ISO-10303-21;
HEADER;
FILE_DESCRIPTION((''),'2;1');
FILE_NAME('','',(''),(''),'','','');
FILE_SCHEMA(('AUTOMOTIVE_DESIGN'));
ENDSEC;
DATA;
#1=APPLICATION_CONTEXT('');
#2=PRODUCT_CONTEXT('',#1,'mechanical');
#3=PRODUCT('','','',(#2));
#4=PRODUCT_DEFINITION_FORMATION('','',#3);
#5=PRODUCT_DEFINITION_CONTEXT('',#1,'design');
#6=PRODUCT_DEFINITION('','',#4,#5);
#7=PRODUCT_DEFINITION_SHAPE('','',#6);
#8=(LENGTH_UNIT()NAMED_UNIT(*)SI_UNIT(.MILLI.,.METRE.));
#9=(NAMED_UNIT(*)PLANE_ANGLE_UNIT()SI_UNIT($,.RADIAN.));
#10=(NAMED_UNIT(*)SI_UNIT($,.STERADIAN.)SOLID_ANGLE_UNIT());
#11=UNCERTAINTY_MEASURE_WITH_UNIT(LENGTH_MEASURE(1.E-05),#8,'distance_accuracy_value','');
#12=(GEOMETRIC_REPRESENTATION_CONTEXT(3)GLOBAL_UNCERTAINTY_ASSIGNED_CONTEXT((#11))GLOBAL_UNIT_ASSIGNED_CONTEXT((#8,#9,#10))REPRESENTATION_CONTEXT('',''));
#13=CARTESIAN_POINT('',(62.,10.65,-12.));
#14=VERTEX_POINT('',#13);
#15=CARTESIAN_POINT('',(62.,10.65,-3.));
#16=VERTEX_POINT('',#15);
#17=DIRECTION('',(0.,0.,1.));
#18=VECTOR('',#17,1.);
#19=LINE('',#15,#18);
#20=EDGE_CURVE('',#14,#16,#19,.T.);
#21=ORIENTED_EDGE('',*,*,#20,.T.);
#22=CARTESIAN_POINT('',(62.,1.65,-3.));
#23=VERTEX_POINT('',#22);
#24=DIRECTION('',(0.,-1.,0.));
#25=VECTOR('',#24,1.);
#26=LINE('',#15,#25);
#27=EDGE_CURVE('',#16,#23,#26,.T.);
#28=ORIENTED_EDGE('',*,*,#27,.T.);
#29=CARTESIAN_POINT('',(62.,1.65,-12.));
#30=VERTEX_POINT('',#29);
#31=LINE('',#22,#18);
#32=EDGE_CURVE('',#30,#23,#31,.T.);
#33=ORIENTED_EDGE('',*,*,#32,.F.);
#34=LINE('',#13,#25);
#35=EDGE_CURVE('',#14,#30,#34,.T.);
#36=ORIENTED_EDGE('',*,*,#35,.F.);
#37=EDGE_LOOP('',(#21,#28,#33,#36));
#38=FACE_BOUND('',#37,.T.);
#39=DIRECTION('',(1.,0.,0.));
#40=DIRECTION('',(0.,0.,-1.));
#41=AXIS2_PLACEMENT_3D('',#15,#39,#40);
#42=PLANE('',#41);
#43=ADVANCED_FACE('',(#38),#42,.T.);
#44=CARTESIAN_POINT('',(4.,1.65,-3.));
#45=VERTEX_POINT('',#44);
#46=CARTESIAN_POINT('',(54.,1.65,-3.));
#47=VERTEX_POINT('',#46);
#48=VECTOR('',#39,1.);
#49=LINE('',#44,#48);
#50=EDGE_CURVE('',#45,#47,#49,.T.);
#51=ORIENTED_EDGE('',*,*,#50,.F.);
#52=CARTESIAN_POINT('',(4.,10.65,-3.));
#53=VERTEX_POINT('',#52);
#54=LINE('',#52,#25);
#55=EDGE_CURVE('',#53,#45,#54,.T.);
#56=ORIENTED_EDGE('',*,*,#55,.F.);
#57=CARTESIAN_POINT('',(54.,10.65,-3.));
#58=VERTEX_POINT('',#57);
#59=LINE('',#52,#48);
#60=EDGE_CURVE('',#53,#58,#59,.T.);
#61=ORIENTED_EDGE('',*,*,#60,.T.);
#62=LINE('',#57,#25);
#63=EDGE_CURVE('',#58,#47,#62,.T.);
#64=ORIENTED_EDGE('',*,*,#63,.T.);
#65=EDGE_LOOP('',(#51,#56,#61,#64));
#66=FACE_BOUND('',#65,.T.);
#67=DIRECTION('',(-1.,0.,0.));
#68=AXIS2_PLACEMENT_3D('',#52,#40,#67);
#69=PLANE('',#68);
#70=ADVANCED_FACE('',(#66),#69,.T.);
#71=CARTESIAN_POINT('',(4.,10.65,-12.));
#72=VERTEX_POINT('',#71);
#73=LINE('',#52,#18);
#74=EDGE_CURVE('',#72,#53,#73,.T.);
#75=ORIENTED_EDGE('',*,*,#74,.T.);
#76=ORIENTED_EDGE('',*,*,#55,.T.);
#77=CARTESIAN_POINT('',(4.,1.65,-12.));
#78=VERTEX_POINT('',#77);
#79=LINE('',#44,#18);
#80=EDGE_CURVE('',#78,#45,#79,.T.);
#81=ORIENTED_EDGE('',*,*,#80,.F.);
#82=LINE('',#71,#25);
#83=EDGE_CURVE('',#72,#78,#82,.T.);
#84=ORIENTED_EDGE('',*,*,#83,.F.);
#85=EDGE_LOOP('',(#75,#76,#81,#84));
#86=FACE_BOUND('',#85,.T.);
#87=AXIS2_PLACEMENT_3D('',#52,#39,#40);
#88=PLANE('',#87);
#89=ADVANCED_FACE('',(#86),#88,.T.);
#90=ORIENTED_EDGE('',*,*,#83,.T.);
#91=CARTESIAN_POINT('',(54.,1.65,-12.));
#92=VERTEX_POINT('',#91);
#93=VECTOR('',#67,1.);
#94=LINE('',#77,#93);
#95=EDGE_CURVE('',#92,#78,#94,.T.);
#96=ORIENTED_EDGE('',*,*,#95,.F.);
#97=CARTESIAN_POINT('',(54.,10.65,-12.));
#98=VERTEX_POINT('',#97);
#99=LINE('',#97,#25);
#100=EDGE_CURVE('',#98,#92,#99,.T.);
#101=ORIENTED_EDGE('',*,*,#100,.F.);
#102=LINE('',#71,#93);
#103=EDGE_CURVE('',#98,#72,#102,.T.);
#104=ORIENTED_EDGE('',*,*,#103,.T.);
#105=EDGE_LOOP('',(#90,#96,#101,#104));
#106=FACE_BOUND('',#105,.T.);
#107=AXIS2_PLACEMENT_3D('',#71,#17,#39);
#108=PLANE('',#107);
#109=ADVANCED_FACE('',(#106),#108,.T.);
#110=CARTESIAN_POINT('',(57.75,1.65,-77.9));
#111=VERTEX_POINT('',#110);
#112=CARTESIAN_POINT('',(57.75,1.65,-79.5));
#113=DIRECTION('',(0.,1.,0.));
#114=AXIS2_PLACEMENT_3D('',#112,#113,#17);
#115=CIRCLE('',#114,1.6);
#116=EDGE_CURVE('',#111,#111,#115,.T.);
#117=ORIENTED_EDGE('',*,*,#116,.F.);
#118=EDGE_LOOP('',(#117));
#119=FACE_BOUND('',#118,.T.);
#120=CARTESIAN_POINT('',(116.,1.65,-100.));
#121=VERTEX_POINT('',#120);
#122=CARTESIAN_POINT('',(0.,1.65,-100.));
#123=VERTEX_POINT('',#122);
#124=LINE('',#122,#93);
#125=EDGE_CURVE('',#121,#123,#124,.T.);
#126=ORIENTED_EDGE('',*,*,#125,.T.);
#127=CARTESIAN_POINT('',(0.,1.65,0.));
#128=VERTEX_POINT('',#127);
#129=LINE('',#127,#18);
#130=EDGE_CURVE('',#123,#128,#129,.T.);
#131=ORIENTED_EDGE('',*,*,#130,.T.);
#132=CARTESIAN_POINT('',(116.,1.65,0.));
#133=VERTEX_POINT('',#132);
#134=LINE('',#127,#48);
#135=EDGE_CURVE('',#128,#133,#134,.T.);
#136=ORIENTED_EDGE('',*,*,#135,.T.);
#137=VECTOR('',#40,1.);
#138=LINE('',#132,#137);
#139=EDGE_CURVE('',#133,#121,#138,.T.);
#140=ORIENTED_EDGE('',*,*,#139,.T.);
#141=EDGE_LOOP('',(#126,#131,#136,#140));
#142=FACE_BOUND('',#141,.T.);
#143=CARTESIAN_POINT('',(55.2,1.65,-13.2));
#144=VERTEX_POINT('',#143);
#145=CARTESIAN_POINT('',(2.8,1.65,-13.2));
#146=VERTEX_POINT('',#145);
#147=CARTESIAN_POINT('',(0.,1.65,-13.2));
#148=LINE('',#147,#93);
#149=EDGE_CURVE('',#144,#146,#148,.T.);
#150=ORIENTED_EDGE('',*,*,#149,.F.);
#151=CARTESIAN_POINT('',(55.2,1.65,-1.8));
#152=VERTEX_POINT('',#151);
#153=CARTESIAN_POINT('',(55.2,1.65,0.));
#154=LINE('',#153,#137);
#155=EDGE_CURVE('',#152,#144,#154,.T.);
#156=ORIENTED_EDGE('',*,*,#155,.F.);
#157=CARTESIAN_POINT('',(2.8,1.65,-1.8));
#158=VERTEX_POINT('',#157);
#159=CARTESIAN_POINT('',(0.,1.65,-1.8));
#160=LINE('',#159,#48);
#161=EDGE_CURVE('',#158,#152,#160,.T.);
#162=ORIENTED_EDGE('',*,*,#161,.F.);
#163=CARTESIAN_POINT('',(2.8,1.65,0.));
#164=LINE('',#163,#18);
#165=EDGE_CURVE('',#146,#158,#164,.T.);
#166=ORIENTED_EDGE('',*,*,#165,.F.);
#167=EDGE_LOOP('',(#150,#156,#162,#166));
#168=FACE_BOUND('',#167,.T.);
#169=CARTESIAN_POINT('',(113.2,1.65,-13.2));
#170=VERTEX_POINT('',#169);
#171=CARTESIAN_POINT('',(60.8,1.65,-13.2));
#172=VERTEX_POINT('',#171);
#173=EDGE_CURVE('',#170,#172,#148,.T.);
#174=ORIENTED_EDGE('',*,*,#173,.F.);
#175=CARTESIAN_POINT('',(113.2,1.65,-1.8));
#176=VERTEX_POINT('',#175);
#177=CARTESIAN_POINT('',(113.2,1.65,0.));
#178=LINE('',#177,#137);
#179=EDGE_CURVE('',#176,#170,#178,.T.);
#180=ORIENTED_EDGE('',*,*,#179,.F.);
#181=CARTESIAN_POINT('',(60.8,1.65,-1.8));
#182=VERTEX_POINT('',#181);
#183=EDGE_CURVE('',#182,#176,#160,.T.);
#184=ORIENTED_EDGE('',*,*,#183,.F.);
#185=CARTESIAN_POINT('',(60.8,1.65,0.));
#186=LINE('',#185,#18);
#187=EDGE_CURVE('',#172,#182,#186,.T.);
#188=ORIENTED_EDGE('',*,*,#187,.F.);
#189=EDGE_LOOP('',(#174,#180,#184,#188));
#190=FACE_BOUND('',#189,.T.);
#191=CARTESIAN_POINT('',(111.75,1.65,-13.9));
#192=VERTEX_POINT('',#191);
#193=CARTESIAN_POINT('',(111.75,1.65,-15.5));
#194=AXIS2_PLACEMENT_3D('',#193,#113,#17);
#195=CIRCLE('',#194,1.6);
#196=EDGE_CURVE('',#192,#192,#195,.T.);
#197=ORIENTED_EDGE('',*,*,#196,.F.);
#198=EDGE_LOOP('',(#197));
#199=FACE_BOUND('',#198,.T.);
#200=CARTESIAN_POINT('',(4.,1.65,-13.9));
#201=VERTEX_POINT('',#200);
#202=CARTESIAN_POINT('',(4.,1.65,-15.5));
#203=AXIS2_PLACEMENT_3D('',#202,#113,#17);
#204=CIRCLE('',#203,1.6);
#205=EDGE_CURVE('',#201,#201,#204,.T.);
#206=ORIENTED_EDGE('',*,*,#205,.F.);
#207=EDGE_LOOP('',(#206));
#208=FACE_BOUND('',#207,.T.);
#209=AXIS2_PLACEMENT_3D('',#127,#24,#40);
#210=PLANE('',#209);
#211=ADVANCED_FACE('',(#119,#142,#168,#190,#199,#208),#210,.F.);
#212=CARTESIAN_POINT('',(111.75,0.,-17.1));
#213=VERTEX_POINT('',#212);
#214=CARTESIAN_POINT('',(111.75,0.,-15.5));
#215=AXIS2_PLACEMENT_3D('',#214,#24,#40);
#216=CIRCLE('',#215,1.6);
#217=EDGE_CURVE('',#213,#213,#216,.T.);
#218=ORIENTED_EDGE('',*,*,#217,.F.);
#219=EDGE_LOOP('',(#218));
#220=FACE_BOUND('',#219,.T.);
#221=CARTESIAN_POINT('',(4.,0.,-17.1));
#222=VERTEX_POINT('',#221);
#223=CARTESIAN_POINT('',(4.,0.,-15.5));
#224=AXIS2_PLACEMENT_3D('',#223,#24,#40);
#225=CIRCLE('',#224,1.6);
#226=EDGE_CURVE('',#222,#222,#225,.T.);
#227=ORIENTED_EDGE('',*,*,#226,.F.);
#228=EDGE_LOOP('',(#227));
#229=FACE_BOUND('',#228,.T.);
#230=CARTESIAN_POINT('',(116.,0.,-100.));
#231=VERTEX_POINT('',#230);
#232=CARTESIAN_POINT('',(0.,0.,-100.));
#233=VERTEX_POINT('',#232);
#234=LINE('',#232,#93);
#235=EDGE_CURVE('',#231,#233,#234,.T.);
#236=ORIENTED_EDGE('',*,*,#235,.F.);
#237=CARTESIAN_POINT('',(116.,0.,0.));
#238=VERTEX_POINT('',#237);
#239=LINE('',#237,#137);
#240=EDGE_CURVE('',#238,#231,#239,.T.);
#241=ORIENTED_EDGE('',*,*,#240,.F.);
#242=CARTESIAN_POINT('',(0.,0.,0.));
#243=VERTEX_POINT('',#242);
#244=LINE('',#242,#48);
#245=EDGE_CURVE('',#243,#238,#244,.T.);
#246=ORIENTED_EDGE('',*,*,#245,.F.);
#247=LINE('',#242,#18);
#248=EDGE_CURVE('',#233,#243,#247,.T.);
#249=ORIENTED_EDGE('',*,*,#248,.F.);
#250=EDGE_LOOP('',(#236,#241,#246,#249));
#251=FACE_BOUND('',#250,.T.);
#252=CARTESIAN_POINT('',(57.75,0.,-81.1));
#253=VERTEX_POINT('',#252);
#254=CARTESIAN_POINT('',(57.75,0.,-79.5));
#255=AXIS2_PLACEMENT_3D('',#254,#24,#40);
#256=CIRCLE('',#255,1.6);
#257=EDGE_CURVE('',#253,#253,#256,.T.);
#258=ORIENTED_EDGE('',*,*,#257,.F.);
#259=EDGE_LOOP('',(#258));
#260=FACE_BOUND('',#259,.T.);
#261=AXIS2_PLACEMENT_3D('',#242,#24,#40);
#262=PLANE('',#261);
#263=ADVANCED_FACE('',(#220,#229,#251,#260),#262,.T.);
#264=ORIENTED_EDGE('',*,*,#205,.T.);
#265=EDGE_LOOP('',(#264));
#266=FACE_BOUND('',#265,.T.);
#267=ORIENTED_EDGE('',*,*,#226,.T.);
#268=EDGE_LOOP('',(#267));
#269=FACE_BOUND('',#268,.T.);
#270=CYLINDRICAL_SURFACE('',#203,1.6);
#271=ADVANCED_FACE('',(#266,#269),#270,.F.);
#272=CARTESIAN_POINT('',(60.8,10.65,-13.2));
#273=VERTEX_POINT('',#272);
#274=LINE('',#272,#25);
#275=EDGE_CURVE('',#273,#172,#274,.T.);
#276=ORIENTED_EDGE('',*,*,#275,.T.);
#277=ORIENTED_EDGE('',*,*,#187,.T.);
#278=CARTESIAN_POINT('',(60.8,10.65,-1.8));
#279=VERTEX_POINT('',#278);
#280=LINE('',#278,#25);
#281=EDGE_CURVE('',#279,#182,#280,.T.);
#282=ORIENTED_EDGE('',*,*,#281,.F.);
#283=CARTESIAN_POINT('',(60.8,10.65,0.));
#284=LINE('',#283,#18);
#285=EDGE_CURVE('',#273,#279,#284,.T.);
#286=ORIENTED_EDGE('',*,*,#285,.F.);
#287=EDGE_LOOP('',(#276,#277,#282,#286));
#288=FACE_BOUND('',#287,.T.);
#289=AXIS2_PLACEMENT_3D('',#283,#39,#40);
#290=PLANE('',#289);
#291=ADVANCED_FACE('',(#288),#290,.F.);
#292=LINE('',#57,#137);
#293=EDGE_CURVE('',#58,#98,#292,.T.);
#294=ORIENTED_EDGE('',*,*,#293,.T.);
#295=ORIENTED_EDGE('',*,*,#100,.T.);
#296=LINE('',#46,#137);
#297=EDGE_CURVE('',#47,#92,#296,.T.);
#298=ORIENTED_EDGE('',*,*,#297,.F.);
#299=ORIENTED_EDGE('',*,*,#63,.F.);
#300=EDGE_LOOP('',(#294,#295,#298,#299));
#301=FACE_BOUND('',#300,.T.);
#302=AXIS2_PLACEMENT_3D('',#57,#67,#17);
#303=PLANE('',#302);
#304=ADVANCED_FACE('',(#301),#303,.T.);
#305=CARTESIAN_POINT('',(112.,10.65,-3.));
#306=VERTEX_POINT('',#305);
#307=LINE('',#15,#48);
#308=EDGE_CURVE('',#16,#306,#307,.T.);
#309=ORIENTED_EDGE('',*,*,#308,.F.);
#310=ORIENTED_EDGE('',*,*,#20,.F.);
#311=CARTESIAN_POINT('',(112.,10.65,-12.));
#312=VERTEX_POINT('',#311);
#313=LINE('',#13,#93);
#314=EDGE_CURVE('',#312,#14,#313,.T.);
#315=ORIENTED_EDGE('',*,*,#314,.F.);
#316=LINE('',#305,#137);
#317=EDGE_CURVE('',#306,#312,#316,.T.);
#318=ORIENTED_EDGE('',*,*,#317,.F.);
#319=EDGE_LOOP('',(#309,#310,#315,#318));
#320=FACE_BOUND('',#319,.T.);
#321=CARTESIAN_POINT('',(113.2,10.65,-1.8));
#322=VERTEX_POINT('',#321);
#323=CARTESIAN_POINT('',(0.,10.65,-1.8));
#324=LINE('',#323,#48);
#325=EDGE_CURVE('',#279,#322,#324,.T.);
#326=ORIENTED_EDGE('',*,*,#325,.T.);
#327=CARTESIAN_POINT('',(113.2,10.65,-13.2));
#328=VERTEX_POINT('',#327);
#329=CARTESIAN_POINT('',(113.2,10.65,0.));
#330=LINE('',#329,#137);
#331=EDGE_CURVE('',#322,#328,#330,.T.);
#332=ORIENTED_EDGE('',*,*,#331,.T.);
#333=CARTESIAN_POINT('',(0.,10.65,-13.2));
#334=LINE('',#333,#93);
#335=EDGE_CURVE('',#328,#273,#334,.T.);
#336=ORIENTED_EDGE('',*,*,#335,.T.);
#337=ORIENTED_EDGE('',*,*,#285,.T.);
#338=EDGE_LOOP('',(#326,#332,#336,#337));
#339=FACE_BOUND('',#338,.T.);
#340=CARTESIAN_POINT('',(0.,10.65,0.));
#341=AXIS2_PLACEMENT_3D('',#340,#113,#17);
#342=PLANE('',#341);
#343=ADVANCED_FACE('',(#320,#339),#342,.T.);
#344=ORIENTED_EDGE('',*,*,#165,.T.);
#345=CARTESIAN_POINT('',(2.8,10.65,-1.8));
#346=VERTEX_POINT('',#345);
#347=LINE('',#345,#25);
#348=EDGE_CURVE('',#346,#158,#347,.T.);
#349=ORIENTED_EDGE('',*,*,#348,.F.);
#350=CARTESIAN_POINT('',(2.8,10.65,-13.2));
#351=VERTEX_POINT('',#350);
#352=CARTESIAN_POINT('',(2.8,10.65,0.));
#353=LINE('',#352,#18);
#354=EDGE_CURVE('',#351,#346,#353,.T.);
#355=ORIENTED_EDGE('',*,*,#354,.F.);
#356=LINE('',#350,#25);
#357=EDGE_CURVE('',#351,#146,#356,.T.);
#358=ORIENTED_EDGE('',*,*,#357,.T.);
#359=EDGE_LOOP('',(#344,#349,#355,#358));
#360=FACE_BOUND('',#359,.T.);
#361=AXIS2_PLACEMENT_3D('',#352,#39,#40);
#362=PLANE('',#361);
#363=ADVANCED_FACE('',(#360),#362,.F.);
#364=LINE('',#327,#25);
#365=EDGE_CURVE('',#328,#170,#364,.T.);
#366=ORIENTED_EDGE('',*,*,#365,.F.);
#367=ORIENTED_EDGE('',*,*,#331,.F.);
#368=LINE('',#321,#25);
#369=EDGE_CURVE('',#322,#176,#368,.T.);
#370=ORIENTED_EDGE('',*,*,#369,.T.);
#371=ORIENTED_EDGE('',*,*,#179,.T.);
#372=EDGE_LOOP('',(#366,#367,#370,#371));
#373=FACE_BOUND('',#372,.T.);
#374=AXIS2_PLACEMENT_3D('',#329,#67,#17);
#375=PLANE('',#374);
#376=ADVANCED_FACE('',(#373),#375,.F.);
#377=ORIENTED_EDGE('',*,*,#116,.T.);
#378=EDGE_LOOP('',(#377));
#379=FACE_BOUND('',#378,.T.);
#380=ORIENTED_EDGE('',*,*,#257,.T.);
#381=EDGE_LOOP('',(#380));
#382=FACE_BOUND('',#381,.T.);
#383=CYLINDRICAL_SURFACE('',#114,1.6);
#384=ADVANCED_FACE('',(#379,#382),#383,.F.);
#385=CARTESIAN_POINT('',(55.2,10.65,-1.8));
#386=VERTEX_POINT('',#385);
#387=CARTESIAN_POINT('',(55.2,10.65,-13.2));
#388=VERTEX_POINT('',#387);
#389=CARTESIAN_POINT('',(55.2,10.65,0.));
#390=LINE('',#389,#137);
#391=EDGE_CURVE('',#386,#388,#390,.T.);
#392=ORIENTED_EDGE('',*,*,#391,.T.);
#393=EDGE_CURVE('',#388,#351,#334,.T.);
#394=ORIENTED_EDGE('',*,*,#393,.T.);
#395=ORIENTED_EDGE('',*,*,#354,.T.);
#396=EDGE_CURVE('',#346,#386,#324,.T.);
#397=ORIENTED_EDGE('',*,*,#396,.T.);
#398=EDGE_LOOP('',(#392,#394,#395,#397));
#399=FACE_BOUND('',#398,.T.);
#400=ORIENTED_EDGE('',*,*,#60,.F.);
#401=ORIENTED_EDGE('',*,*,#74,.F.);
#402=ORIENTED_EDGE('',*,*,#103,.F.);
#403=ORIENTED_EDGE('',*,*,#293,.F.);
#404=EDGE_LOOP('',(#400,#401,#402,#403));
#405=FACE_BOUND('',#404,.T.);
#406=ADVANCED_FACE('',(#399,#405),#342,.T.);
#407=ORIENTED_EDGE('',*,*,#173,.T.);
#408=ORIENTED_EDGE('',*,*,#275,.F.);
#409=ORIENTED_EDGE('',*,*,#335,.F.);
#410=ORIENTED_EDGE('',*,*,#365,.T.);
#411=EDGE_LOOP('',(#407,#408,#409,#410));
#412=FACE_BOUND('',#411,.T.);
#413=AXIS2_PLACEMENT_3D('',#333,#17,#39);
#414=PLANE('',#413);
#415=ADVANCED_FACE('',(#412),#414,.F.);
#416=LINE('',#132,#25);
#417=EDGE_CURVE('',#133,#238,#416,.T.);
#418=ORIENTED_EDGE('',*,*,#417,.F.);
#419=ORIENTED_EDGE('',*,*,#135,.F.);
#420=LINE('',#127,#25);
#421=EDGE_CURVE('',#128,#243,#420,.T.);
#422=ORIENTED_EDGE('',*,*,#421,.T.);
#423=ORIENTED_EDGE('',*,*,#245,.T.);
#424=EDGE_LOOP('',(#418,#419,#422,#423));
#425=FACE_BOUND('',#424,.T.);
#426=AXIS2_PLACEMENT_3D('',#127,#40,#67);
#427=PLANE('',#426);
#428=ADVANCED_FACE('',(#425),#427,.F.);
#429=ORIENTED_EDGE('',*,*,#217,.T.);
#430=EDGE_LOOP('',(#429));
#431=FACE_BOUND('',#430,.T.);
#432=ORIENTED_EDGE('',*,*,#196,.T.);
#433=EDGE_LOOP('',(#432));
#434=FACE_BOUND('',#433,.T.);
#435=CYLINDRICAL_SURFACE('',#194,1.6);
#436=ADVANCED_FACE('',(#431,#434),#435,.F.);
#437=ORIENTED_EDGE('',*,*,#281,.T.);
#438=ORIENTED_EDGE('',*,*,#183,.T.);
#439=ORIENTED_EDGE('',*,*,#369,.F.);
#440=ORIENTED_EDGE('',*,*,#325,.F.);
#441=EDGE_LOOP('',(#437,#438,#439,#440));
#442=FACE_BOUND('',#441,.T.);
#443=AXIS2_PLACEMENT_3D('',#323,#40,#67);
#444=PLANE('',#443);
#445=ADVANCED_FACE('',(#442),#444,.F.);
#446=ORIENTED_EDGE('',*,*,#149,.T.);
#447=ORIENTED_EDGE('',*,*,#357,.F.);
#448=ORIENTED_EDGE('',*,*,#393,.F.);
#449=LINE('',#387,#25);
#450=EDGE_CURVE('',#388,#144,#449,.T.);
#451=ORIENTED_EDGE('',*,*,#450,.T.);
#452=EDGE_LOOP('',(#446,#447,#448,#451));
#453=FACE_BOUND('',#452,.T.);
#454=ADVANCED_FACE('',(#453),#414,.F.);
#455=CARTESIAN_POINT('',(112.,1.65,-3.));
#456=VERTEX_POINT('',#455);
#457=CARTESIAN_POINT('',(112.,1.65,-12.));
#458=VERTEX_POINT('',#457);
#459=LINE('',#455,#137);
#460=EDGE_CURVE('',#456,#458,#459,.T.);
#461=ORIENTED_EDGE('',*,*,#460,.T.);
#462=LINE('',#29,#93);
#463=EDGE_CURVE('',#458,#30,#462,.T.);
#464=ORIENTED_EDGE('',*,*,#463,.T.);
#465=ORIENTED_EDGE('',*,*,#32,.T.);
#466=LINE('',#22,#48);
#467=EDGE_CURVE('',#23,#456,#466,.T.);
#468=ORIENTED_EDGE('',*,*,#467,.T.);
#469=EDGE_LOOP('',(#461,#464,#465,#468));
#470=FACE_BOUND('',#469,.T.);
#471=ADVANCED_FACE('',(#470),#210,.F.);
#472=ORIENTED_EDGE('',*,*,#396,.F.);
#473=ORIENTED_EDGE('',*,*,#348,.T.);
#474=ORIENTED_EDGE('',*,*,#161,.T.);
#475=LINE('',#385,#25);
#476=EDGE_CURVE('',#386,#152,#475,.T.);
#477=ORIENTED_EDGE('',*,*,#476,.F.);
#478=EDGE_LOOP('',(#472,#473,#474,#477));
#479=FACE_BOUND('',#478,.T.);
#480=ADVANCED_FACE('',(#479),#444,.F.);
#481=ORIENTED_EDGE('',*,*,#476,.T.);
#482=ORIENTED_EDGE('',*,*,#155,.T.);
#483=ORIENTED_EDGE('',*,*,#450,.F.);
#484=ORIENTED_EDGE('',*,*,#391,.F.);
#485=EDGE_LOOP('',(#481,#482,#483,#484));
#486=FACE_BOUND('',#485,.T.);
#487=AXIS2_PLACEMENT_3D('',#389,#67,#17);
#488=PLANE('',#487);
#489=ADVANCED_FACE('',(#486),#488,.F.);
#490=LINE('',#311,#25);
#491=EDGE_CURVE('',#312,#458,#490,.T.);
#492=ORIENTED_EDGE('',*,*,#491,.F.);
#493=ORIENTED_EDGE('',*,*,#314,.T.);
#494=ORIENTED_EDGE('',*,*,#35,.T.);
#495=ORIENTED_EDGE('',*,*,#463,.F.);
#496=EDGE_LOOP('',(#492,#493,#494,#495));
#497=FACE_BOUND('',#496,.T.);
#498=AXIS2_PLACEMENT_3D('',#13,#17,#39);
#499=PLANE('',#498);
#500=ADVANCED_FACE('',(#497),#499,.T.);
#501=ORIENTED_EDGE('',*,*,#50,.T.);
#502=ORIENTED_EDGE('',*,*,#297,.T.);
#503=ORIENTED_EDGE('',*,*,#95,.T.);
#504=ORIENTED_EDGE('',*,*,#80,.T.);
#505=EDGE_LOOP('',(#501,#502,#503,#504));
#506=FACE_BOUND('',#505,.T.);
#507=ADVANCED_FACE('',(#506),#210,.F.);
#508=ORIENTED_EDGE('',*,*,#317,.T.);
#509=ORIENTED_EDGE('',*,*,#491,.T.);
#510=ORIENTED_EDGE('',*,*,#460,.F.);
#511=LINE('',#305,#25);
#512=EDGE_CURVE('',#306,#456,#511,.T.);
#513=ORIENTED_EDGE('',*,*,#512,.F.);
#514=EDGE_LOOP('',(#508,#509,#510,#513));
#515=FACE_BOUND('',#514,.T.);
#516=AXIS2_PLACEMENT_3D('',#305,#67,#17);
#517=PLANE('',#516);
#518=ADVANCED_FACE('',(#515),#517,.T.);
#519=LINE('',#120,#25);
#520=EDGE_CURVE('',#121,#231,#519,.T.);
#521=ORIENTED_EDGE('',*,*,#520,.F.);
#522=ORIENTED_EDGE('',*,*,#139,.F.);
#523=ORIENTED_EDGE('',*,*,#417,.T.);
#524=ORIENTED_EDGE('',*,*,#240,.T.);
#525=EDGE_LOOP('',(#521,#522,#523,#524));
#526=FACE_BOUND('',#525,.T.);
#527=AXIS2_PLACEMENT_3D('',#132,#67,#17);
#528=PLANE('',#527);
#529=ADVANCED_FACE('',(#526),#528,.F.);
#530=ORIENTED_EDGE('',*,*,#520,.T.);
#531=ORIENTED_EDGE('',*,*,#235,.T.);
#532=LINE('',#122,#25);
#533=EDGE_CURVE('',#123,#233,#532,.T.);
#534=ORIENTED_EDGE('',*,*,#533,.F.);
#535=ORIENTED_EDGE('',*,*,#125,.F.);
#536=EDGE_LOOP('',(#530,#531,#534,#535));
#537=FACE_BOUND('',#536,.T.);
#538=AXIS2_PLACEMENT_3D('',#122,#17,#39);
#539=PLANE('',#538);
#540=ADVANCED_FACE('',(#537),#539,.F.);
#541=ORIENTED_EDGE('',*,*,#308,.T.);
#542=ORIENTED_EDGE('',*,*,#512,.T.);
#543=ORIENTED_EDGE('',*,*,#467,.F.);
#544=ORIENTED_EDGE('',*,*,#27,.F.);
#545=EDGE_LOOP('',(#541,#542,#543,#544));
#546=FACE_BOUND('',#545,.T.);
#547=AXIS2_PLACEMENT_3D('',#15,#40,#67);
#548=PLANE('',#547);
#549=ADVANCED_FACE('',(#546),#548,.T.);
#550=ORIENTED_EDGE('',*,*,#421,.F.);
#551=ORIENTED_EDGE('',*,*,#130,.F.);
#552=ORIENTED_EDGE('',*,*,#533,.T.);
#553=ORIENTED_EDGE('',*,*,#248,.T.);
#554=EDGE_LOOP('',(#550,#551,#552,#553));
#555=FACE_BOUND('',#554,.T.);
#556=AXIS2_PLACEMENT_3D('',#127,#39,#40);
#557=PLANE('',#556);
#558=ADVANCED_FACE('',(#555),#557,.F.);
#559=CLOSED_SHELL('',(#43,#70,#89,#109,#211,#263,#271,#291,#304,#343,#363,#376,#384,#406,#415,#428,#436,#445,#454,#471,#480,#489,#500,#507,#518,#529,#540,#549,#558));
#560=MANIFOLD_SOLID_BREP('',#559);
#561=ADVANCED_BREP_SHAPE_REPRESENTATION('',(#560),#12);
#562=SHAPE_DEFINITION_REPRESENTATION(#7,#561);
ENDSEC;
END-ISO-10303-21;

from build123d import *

# Parameters (mm, degrees)
SKETCH1_W                = 116
SKETCH1_H                = 100
BOSS_EXTRUDE1_DEPTH      = 1.65
M3_CLEARANCE_HOLE1_D     = 3.2
M3_CLEARANCE_HOLE1_DEPTH = 20
M3_CLEARANCE_HOLE1_TIP   = 0.96137699
SKETCH6_W                = 52.4
SKETCH6_H                = 11.4
SKETCH6_W_2              = 50
SKETCH6_H_2              = 9
EXTRUDE_THIN1_DEPTH      = 9


with BuildPart() as part:
    # Sketch1 → Boss-Extrude1 (new body)
    with BuildSketch(Plane(origin=(0, 0, 0), x_dir=(1, 0, 0), z_dir=(0, 1, 0))):
        with Locations((58, 50)):
            Rectangle(SKETCH1_W, SKETCH1_H)
    extrude(amount=BOSS_EXTRUDE1_DEPTH)

    # M3 Clearance Hole1
    with Locations(Plane(origin=(0, 1.65, 0), x_dir=(1, 0, 0), z_dir=(0, 1, 0))):
        with Locations((4, 15.5), (111.75, 15.5), (57.75, 79.5)):
            Hole(M3_CLEARANCE_HOLE1_D / 2, depth=M3_CLEARANCE_HOLE1_DEPTH)
            with Locations((0, 0, -(M3_CLEARANCE_HOLE1_DEPTH + M3_CLEARANCE_HOLE1_TIP / 2))):  # 118° drill point
                Cone(0, M3_CLEARANCE_HOLE1_D / 2, M3_CLEARANCE_HOLE1_TIP, mode=Mode.SUBTRACT)

    # Sketch6 → Extrude-Thin1 (add)
    with BuildSketch(Plane(origin=(0, 1.65, 0), x_dir=(1, 0, 0), z_dir=(0, 1, 0))):
        with Locations((29, 7.5)):
            Rectangle(SKETCH6_W, SKETCH6_H)
        with Locations((29, 7.5)):
            Rectangle(SKETCH6_W_2, SKETCH6_H_2, mode=Mode.SUBTRACT)
        with Locations((87, 7.5)):
            Rectangle(SKETCH6_W, SKETCH6_H)
        with Locations((87, 7.5)):
            Rectangle(SKETCH6_W_2, SKETCH6_H_2, mode=Mode.SUBTRACT)
    extrude(amount=EXTRUDE_THIN1_DEPTH)


solid = part.part
